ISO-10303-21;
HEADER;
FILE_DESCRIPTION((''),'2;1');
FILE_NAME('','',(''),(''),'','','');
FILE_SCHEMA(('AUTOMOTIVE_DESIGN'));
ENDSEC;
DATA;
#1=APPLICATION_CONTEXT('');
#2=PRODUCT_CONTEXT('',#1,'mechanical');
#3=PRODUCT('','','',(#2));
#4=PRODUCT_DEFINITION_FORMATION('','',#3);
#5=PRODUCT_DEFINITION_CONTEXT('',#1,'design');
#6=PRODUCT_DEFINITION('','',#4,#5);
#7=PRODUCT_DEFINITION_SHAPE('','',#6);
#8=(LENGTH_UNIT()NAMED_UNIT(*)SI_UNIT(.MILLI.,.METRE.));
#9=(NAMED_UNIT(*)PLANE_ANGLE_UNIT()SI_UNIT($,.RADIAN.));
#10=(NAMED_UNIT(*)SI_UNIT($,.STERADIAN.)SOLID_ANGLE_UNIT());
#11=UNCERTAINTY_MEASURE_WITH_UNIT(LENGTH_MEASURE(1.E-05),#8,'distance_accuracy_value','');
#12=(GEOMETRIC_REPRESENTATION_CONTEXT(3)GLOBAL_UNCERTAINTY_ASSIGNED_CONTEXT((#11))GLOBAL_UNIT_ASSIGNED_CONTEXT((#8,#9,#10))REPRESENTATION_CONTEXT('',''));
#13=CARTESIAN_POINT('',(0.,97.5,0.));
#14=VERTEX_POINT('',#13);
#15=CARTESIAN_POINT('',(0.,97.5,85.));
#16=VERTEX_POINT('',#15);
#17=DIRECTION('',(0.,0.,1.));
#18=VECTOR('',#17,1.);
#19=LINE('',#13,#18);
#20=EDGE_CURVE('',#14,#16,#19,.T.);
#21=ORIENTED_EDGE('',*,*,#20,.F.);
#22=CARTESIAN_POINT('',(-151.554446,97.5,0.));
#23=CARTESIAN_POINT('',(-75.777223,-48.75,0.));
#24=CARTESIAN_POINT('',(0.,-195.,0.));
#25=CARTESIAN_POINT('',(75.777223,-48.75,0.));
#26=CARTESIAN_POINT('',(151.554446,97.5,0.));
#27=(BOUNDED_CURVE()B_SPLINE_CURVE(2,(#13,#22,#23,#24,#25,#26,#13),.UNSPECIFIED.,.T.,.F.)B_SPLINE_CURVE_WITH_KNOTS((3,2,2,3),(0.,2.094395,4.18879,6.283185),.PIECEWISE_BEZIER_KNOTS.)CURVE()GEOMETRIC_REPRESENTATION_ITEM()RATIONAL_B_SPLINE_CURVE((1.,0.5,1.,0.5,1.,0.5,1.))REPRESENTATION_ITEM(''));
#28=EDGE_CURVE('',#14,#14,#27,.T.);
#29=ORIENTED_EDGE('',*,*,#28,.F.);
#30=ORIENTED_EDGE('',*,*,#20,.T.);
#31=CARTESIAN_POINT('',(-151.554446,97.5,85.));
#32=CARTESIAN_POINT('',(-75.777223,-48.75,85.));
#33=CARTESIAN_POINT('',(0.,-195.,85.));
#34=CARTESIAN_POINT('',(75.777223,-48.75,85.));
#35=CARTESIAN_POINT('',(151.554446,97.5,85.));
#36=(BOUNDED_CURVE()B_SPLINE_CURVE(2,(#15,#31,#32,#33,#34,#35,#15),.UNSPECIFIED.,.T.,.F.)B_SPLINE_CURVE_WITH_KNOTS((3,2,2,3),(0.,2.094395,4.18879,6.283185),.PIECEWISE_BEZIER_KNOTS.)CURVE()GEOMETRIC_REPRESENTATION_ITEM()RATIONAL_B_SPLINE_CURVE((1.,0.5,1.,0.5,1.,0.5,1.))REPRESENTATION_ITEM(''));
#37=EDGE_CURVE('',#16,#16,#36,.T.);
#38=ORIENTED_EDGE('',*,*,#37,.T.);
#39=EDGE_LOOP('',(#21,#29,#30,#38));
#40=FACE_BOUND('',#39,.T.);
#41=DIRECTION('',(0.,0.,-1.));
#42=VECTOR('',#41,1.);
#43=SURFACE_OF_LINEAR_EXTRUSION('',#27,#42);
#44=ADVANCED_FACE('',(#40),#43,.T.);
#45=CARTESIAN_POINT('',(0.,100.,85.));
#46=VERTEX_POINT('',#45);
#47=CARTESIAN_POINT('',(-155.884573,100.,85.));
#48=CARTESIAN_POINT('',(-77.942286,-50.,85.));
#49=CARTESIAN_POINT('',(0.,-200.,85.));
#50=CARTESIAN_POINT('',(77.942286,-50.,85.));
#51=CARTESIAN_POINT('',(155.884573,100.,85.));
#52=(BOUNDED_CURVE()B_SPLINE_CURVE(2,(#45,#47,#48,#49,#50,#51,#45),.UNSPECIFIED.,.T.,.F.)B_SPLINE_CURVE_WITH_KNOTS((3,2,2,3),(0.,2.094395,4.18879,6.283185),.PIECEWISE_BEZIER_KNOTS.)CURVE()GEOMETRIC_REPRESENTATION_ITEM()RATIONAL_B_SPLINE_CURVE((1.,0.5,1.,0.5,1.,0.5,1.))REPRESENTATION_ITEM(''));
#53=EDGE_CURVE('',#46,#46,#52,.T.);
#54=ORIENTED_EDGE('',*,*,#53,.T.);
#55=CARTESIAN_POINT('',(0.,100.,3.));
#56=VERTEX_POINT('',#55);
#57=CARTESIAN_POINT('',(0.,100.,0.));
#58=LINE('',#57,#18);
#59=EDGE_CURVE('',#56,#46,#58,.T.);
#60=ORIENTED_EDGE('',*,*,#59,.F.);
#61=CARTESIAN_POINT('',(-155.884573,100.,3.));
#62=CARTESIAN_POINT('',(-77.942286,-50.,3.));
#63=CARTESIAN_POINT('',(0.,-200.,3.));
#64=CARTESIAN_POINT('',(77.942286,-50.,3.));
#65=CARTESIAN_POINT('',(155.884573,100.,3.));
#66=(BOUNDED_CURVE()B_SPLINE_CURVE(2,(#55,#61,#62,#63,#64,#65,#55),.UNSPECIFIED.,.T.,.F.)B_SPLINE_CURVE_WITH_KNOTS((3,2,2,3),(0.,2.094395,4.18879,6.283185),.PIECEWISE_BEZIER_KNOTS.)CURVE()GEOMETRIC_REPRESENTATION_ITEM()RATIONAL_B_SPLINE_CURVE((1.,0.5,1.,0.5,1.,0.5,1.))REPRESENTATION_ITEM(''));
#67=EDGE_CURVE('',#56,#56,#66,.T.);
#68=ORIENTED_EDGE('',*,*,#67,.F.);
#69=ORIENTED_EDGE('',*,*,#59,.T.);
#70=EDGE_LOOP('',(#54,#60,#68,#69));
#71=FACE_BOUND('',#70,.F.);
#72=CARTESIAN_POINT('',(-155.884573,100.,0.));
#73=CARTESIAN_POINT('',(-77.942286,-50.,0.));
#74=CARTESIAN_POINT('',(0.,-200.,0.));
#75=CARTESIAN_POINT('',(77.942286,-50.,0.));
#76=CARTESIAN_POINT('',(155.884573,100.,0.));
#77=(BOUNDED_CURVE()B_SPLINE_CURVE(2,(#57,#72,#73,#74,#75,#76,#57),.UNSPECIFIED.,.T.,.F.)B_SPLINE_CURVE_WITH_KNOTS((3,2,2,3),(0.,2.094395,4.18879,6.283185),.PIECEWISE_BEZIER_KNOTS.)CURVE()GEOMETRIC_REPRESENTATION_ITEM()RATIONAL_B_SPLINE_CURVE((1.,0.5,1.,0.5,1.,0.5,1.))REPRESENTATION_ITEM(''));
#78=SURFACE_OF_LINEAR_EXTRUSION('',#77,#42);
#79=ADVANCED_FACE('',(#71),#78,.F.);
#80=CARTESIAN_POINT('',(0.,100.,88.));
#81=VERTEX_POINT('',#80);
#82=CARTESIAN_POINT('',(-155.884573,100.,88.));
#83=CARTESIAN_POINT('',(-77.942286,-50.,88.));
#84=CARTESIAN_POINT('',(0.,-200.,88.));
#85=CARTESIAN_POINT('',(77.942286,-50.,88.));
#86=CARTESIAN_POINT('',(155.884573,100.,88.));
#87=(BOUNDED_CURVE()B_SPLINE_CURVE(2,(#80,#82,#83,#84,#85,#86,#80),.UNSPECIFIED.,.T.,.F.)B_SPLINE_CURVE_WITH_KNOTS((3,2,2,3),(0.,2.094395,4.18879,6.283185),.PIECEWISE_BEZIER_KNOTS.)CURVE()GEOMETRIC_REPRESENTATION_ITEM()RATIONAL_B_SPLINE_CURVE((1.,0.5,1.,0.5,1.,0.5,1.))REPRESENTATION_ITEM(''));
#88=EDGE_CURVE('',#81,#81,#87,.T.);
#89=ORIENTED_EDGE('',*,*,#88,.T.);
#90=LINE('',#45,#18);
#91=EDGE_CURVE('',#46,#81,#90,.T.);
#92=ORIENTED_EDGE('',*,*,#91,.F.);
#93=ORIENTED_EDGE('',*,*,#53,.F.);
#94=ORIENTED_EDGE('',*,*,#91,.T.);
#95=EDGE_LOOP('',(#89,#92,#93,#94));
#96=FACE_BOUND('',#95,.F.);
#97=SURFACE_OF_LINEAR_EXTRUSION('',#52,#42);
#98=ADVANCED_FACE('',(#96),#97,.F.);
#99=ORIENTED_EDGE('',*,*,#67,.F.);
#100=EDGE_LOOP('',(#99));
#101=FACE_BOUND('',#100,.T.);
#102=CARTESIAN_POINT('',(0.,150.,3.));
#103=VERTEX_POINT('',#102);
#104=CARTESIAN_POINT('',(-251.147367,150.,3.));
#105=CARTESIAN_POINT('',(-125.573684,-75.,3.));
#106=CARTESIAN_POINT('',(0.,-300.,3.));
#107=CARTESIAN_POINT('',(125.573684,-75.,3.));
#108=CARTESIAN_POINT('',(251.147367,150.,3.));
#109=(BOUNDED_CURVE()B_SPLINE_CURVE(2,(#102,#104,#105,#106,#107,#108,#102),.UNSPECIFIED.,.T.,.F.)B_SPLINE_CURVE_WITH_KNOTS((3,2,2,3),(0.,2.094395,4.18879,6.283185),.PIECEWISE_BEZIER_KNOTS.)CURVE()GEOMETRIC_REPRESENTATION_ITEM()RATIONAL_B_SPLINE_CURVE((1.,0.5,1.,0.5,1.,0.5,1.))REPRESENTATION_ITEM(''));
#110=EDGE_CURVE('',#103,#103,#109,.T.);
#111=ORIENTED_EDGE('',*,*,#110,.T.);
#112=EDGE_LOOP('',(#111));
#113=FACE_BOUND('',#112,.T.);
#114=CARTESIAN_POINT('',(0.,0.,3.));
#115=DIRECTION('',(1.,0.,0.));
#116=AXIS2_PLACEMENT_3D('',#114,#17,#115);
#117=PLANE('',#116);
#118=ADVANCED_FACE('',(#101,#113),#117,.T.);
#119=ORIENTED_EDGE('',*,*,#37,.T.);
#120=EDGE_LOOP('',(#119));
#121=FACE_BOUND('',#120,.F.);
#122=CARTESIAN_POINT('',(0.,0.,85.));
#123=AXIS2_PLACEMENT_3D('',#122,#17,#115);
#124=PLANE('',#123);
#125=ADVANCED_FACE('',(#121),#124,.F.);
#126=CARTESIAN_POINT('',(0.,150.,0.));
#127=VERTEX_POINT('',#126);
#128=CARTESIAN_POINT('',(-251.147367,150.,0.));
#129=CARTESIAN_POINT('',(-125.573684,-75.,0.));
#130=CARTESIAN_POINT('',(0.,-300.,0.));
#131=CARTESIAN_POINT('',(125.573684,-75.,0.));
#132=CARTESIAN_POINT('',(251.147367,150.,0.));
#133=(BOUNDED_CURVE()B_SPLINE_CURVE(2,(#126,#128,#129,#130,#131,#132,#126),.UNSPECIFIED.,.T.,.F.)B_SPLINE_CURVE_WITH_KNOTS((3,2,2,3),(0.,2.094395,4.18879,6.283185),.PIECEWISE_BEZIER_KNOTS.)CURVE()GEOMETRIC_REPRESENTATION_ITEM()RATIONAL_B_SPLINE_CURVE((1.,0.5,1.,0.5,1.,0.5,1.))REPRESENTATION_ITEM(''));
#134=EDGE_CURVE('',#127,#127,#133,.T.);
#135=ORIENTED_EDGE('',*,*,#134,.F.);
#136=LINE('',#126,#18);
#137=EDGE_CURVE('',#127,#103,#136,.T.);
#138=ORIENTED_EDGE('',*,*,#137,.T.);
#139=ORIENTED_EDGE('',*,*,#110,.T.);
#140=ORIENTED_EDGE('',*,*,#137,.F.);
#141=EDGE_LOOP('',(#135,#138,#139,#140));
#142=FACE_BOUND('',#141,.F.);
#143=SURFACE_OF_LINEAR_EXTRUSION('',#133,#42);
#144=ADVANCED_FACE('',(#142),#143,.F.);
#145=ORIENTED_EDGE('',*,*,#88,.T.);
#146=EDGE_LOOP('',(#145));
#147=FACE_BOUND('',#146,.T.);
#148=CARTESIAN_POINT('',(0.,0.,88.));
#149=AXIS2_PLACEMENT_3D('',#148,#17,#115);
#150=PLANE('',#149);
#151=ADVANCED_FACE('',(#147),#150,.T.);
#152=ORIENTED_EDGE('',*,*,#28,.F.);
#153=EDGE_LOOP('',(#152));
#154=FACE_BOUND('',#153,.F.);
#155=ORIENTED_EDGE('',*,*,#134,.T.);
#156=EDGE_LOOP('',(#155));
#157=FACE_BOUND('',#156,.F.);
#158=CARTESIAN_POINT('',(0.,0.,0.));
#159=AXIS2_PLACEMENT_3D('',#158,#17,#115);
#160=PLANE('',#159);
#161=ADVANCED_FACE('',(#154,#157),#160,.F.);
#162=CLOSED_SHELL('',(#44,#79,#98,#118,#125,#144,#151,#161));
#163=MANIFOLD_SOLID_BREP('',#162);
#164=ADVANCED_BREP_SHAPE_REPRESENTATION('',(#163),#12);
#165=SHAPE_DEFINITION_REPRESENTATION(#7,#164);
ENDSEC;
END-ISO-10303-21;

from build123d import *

# Parameters (mm, degrees)
EXTRUDE001_DEPTH = 85
EXTRUDE002_DEPTH = 3
EXTRUDE_DEPTH    = 3


with BuildPart() as wall:
    # Sketch001 → Extrude001 (new body)
    with BuildSketch(Plane.XY):
        with BuildLine():
            add(Edge.make_bspline(
                [(0, 100), (-155.884573, 100), (-77.942286, -50), (0, -200), (77.942286, -50), (155.884573, 100), (0, 100)],
                knots=[0, 0, 0, 2.094395, 2.094395, 4.18879, 4.18879, 6.283185, 6.283185, 6.283185], degree=2, weights=[1, 0.5, 1, 0.5, 1, 0.5, 1]))
        make_face()
        with BuildLine():
            add(Edge.make_bspline(
                [(0, 97.5), (-151.554446, 97.5), (-75.777223, -48.75), (0, -195), (75.777223, -48.75), (151.554446, 97.5), (0, 97.5)],
                knots=[0, 0, 0, 2.094395, 2.094395, 4.18879, 4.18879, 6.283185, 6.283185, 6.283185], degree=2, weights=[1, 0.5, 1, 0.5, 1, 0.5, 1]))
        make_face(mode=Mode.SUBTRACT)
    extrude(amount=EXTRUDE001_DEPTH)


with BuildPart() as top:
    # Sketch002 → Extrude002 (new body)
    with BuildSketch(Plane.XY):
        with BuildLine():
            add(Edge.make_bspline(
                [(0, 100), (-155.884573, 100), (-77.942286, -50), (0, -200), (77.942286, -50), (155.884573, 100), (0, 100)],
                knots=[0, 0, 0, 2.094395, 2.094395, 4.18879, 4.18879, 6.283185, 6.283185, 6.283185], degree=2, weights=[1, 0.5, 1, 0.5, 1, 0.5, 1]))
        make_face()
    extrude(amount=EXTRUDE002_DEPTH)


with BuildPart() as top_1:
    # Extrude002 placement: moved
    add(top.part.moved(Location((0, 0, 85))))


with BuildPart() as hat:
    # Sketch → Extrude (new body)
    with BuildSketch(Plane.XY):
        with BuildLine():
            add(Edge.make_bspline(
                [(0, 150), (-251.147367, 150), (-125.573684, -75), (0, -300), (125.573684, -75), (251.147367, 150), (0, 150)],
                knots=[0, 0, 0, 2.094395, 2.094395, 4.18879, 4.18879, 6.283185, 6.283185, 6.283185], degree=2, weights=[1, 0.5, 1, 0.5, 1, 0.5, 1]))
        make_face()
        with BuildLine():
            add(Edge.make_bspline(
                [(0, 100), (-155.884573, 100), (-77.942286, -50), (0, -200), (77.942286, -50), (155.884573, 100), (0, 100)],
                knots=[0, 0, 0, 2.094395, 2.094395, 4.18879, 4.18879, 6.283185, 6.283185, 6.283185], degree=2, weights=[1, 0.5, 1, 0.5, 1, 0.5, 1]))
        make_face(mode=Mode.SUBTRACT)
    extrude(amount=EXTRUDE_DEPTH)

    # Fusion: union wall, top
    add(wall.part)
    add(top_1.part)


solid = hat.part
